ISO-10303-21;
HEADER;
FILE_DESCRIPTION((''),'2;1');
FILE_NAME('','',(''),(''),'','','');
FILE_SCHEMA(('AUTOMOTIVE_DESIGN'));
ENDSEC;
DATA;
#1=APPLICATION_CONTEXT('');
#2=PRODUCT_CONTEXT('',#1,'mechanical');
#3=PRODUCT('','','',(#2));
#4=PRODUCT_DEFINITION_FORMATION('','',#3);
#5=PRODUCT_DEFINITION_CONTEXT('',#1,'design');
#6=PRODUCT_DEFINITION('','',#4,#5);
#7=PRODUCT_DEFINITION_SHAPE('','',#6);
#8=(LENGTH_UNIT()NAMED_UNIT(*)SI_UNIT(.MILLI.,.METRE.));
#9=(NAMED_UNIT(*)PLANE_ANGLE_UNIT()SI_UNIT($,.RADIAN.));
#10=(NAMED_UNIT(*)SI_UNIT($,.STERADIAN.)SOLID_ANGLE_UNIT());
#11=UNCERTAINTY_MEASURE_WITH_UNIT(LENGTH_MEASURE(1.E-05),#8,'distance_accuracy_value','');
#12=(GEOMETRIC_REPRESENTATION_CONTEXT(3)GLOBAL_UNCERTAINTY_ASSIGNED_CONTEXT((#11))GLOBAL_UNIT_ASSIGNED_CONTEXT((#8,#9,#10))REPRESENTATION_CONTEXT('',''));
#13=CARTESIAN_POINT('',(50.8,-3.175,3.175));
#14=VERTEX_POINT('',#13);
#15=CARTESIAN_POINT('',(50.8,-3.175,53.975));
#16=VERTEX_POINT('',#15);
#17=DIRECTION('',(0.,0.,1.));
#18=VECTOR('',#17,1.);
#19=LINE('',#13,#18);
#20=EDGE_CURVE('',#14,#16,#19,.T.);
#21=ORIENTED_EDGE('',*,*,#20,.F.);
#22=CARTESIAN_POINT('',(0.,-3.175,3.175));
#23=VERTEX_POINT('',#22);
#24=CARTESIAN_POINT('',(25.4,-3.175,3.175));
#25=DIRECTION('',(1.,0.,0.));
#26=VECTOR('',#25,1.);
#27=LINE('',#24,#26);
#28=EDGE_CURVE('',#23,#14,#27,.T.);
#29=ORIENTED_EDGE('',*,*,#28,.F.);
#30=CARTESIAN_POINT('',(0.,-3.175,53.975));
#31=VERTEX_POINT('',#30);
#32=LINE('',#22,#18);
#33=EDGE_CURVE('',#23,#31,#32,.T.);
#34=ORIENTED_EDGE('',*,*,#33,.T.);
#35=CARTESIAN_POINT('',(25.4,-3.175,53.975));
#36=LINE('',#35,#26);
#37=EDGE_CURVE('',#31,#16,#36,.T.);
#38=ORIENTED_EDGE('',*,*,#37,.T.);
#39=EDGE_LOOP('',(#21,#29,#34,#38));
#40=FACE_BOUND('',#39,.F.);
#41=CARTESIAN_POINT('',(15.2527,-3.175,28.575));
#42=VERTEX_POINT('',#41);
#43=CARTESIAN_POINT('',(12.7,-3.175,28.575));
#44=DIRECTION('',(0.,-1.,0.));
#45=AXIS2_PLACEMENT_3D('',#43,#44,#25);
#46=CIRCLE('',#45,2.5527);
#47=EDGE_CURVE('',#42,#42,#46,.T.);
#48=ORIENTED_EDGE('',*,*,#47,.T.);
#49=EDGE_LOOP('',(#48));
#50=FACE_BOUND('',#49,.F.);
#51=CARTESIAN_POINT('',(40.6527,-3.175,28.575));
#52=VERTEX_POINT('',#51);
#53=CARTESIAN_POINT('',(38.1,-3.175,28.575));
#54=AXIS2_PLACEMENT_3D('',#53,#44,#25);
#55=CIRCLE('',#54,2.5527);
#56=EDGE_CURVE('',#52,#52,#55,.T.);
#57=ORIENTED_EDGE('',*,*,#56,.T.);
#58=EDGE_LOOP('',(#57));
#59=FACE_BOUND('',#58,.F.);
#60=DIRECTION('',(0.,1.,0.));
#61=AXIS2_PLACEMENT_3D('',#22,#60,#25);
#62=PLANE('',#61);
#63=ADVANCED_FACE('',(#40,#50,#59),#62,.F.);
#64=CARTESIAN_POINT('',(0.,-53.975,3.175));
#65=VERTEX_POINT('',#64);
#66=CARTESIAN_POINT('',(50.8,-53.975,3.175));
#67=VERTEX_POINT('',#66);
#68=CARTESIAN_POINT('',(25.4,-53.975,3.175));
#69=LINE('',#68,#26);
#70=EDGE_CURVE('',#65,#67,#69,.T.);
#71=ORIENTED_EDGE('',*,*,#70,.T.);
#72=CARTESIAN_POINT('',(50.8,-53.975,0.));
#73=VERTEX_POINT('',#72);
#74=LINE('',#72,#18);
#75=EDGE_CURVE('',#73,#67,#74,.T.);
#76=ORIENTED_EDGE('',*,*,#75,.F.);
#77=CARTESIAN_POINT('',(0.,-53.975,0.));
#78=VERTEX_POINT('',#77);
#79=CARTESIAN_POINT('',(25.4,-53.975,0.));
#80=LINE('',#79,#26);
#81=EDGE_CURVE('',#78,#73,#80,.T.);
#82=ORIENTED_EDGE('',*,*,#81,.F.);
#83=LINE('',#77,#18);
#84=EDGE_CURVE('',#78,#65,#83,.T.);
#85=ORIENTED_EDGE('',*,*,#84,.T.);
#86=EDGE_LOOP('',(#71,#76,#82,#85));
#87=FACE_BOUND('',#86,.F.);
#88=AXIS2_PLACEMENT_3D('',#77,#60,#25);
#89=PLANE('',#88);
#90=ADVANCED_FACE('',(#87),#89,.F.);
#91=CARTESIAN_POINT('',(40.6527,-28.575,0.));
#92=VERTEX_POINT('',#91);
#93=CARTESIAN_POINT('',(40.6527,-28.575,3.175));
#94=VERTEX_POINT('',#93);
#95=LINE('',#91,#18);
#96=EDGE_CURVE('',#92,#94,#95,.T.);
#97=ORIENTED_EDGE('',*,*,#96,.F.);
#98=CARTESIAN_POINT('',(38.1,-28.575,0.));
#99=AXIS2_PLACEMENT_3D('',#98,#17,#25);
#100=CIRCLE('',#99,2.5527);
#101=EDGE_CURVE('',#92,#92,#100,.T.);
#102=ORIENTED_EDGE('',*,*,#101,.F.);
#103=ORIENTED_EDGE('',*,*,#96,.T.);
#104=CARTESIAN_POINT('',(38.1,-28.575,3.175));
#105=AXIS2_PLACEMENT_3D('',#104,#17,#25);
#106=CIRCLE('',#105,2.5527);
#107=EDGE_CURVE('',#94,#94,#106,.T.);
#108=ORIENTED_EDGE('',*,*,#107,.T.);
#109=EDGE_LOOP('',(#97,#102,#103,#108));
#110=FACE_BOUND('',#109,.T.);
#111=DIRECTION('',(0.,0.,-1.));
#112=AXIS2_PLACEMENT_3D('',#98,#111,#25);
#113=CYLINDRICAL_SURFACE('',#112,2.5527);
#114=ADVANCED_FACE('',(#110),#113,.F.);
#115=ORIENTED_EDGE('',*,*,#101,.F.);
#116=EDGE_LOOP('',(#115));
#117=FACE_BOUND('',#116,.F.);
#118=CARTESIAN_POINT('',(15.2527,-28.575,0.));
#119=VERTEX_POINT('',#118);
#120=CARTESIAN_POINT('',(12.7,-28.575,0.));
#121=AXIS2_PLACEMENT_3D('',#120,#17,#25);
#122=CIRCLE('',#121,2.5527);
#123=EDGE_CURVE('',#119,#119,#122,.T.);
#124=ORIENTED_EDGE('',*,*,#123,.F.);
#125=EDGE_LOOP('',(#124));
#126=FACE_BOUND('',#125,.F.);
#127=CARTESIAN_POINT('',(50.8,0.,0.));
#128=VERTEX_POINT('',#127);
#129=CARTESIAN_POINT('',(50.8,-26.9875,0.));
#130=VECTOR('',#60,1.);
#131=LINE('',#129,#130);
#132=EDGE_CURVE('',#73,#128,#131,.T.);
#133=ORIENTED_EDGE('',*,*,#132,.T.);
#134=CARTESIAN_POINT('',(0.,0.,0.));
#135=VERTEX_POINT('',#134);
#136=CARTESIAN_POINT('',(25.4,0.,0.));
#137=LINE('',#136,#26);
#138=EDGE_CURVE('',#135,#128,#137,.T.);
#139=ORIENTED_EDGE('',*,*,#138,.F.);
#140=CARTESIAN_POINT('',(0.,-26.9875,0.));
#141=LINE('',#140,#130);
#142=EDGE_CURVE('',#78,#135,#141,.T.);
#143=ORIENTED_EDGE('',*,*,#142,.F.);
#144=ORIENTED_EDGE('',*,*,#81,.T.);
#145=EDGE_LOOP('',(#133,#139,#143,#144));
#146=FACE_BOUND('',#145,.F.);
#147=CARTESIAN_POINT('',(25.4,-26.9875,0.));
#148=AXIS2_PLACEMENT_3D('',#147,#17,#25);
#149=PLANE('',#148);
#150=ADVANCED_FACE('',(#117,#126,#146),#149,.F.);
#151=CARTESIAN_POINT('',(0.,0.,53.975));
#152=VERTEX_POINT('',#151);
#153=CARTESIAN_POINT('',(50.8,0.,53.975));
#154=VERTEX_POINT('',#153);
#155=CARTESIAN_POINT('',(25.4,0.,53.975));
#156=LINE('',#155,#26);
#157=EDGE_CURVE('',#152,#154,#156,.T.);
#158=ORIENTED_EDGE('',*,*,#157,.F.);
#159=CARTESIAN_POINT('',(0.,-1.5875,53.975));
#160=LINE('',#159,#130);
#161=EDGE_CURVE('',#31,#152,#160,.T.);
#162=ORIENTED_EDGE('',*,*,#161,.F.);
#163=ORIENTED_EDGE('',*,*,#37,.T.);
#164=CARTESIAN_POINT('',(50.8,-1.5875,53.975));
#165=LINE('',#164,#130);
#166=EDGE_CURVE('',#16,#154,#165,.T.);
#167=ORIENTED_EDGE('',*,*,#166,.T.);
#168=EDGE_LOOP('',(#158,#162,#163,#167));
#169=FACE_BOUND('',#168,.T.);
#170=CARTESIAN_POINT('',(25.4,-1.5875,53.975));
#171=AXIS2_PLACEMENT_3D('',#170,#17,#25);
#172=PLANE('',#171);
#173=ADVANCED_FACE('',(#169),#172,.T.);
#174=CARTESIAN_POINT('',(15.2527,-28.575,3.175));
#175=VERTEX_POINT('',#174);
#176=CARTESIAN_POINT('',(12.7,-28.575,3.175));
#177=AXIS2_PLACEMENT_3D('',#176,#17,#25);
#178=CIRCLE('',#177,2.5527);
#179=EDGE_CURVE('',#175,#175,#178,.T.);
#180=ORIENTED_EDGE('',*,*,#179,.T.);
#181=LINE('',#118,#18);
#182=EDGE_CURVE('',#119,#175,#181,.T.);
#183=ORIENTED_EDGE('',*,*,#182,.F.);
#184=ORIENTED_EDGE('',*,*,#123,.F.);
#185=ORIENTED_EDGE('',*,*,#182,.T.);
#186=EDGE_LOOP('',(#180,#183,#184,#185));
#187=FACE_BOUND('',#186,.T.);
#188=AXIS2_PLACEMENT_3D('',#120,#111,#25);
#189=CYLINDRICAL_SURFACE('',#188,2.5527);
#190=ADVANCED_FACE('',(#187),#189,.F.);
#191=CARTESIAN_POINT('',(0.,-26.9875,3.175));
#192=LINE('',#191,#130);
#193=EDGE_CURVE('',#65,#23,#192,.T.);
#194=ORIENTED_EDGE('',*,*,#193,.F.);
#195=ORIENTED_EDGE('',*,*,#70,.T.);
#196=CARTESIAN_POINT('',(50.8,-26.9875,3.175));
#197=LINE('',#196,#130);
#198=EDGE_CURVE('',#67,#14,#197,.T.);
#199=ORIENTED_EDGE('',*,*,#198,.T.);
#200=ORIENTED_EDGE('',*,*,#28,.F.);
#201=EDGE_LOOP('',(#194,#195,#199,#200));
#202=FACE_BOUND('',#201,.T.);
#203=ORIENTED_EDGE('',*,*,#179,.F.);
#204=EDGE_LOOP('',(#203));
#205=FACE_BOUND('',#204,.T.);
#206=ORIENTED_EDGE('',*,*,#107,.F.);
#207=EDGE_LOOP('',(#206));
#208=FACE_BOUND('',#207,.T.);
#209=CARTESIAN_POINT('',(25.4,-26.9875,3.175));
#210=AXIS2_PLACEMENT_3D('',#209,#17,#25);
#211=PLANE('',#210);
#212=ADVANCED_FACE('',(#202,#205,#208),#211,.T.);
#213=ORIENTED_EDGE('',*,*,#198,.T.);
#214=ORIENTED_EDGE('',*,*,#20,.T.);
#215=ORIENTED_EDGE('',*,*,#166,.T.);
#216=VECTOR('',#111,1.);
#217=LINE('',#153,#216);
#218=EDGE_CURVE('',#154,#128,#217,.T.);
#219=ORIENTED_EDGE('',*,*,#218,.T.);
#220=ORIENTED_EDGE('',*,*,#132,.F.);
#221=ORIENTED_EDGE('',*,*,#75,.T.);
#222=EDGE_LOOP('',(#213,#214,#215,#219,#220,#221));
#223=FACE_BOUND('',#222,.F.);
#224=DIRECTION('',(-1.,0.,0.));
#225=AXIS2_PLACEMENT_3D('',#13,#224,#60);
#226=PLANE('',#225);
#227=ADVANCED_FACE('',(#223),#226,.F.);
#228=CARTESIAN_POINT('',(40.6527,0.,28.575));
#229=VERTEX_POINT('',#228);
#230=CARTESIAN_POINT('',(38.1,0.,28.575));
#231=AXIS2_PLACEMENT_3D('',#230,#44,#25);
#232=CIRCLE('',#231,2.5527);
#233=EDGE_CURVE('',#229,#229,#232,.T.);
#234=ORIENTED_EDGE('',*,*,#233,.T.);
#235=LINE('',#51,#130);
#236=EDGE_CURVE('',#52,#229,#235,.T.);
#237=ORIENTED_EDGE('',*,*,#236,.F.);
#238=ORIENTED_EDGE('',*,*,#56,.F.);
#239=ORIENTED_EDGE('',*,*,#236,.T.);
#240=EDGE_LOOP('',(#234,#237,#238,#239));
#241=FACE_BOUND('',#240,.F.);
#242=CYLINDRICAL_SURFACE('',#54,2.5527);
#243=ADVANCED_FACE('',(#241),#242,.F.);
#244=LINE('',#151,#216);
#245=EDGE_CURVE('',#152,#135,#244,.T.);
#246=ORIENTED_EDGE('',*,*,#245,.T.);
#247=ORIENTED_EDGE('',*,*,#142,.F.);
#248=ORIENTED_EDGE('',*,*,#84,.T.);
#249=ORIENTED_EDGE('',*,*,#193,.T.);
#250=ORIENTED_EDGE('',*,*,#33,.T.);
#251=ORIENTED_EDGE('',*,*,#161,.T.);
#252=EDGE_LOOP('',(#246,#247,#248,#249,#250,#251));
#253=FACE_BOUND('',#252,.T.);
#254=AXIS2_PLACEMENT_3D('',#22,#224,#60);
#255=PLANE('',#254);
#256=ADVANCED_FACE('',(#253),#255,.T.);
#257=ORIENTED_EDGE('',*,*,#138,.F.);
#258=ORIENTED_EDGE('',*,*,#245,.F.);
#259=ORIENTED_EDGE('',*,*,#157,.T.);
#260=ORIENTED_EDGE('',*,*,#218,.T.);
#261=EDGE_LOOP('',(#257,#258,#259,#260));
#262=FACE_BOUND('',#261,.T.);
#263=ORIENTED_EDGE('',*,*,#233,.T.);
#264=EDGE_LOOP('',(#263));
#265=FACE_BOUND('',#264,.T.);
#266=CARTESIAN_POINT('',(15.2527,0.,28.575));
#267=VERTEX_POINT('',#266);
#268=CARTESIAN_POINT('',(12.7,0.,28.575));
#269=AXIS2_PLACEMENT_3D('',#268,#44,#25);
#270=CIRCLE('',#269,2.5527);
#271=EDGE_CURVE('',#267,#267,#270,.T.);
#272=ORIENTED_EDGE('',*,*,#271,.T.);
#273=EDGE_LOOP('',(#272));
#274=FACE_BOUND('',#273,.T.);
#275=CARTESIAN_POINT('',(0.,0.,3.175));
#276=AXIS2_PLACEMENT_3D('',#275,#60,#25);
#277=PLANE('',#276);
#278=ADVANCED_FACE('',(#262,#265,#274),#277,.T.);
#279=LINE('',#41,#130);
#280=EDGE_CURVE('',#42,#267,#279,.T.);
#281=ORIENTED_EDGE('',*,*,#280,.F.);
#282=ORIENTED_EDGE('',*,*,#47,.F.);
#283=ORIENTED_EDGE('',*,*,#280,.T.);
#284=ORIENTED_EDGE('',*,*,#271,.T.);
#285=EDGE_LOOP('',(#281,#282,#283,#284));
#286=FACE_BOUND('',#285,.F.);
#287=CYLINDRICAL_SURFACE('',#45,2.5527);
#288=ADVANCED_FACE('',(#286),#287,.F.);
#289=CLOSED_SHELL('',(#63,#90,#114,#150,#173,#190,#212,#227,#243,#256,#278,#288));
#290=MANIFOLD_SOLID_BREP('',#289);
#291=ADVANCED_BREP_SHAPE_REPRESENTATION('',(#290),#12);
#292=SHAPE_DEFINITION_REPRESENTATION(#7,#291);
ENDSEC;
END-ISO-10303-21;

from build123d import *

# Parameters (mm, degrees)
F0_W     = 50.8
F0_H     = 53.975
F0_R     = 2.5527
F1_DEPTH = 3.175
F2_W     = 50.8
F2_H     = 3.175
F3_DEPTH = 50.8
F4_R     = 2.5527
F5_DEPTH = 25.4


with BuildPart() as f1:
    # F0 (on Top) → F1 (new body)
    with BuildSketch(Plane.XY):
        with Locations((25.4, -26.9875)):
            Rectangle(F0_W, F0_H)
        with Locations((12.7, -28.575)):
            Circle(F0_R, mode=Mode.SUBTRACT)
        with Locations((38.1, -28.575)):
            Circle(F0_R, mode=Mode.SUBTRACT)
    extrude(amount=F1_DEPTH)

    # F2 (on face) → F3 (join)
    with BuildSketch(Plane.XY.offset(3.175)):
        with Locations((25.4, -1.5875)):
            Rectangle(F2_W, F2_H)
    extrude(amount=F3_DEPTH)

    # F4 (on face) → F5 (cut)
    with BuildSketch(Plane.XZ.offset(3.175)):
        with Locations((12.7, 28.575)):
            Circle(F4_R)
        with Locations((38.1, 28.575)):
            Circle(F4_R)
    extrude(amount=-F5_DEPTH, mode=Mode.SUBTRACT)


solid = f1.part
